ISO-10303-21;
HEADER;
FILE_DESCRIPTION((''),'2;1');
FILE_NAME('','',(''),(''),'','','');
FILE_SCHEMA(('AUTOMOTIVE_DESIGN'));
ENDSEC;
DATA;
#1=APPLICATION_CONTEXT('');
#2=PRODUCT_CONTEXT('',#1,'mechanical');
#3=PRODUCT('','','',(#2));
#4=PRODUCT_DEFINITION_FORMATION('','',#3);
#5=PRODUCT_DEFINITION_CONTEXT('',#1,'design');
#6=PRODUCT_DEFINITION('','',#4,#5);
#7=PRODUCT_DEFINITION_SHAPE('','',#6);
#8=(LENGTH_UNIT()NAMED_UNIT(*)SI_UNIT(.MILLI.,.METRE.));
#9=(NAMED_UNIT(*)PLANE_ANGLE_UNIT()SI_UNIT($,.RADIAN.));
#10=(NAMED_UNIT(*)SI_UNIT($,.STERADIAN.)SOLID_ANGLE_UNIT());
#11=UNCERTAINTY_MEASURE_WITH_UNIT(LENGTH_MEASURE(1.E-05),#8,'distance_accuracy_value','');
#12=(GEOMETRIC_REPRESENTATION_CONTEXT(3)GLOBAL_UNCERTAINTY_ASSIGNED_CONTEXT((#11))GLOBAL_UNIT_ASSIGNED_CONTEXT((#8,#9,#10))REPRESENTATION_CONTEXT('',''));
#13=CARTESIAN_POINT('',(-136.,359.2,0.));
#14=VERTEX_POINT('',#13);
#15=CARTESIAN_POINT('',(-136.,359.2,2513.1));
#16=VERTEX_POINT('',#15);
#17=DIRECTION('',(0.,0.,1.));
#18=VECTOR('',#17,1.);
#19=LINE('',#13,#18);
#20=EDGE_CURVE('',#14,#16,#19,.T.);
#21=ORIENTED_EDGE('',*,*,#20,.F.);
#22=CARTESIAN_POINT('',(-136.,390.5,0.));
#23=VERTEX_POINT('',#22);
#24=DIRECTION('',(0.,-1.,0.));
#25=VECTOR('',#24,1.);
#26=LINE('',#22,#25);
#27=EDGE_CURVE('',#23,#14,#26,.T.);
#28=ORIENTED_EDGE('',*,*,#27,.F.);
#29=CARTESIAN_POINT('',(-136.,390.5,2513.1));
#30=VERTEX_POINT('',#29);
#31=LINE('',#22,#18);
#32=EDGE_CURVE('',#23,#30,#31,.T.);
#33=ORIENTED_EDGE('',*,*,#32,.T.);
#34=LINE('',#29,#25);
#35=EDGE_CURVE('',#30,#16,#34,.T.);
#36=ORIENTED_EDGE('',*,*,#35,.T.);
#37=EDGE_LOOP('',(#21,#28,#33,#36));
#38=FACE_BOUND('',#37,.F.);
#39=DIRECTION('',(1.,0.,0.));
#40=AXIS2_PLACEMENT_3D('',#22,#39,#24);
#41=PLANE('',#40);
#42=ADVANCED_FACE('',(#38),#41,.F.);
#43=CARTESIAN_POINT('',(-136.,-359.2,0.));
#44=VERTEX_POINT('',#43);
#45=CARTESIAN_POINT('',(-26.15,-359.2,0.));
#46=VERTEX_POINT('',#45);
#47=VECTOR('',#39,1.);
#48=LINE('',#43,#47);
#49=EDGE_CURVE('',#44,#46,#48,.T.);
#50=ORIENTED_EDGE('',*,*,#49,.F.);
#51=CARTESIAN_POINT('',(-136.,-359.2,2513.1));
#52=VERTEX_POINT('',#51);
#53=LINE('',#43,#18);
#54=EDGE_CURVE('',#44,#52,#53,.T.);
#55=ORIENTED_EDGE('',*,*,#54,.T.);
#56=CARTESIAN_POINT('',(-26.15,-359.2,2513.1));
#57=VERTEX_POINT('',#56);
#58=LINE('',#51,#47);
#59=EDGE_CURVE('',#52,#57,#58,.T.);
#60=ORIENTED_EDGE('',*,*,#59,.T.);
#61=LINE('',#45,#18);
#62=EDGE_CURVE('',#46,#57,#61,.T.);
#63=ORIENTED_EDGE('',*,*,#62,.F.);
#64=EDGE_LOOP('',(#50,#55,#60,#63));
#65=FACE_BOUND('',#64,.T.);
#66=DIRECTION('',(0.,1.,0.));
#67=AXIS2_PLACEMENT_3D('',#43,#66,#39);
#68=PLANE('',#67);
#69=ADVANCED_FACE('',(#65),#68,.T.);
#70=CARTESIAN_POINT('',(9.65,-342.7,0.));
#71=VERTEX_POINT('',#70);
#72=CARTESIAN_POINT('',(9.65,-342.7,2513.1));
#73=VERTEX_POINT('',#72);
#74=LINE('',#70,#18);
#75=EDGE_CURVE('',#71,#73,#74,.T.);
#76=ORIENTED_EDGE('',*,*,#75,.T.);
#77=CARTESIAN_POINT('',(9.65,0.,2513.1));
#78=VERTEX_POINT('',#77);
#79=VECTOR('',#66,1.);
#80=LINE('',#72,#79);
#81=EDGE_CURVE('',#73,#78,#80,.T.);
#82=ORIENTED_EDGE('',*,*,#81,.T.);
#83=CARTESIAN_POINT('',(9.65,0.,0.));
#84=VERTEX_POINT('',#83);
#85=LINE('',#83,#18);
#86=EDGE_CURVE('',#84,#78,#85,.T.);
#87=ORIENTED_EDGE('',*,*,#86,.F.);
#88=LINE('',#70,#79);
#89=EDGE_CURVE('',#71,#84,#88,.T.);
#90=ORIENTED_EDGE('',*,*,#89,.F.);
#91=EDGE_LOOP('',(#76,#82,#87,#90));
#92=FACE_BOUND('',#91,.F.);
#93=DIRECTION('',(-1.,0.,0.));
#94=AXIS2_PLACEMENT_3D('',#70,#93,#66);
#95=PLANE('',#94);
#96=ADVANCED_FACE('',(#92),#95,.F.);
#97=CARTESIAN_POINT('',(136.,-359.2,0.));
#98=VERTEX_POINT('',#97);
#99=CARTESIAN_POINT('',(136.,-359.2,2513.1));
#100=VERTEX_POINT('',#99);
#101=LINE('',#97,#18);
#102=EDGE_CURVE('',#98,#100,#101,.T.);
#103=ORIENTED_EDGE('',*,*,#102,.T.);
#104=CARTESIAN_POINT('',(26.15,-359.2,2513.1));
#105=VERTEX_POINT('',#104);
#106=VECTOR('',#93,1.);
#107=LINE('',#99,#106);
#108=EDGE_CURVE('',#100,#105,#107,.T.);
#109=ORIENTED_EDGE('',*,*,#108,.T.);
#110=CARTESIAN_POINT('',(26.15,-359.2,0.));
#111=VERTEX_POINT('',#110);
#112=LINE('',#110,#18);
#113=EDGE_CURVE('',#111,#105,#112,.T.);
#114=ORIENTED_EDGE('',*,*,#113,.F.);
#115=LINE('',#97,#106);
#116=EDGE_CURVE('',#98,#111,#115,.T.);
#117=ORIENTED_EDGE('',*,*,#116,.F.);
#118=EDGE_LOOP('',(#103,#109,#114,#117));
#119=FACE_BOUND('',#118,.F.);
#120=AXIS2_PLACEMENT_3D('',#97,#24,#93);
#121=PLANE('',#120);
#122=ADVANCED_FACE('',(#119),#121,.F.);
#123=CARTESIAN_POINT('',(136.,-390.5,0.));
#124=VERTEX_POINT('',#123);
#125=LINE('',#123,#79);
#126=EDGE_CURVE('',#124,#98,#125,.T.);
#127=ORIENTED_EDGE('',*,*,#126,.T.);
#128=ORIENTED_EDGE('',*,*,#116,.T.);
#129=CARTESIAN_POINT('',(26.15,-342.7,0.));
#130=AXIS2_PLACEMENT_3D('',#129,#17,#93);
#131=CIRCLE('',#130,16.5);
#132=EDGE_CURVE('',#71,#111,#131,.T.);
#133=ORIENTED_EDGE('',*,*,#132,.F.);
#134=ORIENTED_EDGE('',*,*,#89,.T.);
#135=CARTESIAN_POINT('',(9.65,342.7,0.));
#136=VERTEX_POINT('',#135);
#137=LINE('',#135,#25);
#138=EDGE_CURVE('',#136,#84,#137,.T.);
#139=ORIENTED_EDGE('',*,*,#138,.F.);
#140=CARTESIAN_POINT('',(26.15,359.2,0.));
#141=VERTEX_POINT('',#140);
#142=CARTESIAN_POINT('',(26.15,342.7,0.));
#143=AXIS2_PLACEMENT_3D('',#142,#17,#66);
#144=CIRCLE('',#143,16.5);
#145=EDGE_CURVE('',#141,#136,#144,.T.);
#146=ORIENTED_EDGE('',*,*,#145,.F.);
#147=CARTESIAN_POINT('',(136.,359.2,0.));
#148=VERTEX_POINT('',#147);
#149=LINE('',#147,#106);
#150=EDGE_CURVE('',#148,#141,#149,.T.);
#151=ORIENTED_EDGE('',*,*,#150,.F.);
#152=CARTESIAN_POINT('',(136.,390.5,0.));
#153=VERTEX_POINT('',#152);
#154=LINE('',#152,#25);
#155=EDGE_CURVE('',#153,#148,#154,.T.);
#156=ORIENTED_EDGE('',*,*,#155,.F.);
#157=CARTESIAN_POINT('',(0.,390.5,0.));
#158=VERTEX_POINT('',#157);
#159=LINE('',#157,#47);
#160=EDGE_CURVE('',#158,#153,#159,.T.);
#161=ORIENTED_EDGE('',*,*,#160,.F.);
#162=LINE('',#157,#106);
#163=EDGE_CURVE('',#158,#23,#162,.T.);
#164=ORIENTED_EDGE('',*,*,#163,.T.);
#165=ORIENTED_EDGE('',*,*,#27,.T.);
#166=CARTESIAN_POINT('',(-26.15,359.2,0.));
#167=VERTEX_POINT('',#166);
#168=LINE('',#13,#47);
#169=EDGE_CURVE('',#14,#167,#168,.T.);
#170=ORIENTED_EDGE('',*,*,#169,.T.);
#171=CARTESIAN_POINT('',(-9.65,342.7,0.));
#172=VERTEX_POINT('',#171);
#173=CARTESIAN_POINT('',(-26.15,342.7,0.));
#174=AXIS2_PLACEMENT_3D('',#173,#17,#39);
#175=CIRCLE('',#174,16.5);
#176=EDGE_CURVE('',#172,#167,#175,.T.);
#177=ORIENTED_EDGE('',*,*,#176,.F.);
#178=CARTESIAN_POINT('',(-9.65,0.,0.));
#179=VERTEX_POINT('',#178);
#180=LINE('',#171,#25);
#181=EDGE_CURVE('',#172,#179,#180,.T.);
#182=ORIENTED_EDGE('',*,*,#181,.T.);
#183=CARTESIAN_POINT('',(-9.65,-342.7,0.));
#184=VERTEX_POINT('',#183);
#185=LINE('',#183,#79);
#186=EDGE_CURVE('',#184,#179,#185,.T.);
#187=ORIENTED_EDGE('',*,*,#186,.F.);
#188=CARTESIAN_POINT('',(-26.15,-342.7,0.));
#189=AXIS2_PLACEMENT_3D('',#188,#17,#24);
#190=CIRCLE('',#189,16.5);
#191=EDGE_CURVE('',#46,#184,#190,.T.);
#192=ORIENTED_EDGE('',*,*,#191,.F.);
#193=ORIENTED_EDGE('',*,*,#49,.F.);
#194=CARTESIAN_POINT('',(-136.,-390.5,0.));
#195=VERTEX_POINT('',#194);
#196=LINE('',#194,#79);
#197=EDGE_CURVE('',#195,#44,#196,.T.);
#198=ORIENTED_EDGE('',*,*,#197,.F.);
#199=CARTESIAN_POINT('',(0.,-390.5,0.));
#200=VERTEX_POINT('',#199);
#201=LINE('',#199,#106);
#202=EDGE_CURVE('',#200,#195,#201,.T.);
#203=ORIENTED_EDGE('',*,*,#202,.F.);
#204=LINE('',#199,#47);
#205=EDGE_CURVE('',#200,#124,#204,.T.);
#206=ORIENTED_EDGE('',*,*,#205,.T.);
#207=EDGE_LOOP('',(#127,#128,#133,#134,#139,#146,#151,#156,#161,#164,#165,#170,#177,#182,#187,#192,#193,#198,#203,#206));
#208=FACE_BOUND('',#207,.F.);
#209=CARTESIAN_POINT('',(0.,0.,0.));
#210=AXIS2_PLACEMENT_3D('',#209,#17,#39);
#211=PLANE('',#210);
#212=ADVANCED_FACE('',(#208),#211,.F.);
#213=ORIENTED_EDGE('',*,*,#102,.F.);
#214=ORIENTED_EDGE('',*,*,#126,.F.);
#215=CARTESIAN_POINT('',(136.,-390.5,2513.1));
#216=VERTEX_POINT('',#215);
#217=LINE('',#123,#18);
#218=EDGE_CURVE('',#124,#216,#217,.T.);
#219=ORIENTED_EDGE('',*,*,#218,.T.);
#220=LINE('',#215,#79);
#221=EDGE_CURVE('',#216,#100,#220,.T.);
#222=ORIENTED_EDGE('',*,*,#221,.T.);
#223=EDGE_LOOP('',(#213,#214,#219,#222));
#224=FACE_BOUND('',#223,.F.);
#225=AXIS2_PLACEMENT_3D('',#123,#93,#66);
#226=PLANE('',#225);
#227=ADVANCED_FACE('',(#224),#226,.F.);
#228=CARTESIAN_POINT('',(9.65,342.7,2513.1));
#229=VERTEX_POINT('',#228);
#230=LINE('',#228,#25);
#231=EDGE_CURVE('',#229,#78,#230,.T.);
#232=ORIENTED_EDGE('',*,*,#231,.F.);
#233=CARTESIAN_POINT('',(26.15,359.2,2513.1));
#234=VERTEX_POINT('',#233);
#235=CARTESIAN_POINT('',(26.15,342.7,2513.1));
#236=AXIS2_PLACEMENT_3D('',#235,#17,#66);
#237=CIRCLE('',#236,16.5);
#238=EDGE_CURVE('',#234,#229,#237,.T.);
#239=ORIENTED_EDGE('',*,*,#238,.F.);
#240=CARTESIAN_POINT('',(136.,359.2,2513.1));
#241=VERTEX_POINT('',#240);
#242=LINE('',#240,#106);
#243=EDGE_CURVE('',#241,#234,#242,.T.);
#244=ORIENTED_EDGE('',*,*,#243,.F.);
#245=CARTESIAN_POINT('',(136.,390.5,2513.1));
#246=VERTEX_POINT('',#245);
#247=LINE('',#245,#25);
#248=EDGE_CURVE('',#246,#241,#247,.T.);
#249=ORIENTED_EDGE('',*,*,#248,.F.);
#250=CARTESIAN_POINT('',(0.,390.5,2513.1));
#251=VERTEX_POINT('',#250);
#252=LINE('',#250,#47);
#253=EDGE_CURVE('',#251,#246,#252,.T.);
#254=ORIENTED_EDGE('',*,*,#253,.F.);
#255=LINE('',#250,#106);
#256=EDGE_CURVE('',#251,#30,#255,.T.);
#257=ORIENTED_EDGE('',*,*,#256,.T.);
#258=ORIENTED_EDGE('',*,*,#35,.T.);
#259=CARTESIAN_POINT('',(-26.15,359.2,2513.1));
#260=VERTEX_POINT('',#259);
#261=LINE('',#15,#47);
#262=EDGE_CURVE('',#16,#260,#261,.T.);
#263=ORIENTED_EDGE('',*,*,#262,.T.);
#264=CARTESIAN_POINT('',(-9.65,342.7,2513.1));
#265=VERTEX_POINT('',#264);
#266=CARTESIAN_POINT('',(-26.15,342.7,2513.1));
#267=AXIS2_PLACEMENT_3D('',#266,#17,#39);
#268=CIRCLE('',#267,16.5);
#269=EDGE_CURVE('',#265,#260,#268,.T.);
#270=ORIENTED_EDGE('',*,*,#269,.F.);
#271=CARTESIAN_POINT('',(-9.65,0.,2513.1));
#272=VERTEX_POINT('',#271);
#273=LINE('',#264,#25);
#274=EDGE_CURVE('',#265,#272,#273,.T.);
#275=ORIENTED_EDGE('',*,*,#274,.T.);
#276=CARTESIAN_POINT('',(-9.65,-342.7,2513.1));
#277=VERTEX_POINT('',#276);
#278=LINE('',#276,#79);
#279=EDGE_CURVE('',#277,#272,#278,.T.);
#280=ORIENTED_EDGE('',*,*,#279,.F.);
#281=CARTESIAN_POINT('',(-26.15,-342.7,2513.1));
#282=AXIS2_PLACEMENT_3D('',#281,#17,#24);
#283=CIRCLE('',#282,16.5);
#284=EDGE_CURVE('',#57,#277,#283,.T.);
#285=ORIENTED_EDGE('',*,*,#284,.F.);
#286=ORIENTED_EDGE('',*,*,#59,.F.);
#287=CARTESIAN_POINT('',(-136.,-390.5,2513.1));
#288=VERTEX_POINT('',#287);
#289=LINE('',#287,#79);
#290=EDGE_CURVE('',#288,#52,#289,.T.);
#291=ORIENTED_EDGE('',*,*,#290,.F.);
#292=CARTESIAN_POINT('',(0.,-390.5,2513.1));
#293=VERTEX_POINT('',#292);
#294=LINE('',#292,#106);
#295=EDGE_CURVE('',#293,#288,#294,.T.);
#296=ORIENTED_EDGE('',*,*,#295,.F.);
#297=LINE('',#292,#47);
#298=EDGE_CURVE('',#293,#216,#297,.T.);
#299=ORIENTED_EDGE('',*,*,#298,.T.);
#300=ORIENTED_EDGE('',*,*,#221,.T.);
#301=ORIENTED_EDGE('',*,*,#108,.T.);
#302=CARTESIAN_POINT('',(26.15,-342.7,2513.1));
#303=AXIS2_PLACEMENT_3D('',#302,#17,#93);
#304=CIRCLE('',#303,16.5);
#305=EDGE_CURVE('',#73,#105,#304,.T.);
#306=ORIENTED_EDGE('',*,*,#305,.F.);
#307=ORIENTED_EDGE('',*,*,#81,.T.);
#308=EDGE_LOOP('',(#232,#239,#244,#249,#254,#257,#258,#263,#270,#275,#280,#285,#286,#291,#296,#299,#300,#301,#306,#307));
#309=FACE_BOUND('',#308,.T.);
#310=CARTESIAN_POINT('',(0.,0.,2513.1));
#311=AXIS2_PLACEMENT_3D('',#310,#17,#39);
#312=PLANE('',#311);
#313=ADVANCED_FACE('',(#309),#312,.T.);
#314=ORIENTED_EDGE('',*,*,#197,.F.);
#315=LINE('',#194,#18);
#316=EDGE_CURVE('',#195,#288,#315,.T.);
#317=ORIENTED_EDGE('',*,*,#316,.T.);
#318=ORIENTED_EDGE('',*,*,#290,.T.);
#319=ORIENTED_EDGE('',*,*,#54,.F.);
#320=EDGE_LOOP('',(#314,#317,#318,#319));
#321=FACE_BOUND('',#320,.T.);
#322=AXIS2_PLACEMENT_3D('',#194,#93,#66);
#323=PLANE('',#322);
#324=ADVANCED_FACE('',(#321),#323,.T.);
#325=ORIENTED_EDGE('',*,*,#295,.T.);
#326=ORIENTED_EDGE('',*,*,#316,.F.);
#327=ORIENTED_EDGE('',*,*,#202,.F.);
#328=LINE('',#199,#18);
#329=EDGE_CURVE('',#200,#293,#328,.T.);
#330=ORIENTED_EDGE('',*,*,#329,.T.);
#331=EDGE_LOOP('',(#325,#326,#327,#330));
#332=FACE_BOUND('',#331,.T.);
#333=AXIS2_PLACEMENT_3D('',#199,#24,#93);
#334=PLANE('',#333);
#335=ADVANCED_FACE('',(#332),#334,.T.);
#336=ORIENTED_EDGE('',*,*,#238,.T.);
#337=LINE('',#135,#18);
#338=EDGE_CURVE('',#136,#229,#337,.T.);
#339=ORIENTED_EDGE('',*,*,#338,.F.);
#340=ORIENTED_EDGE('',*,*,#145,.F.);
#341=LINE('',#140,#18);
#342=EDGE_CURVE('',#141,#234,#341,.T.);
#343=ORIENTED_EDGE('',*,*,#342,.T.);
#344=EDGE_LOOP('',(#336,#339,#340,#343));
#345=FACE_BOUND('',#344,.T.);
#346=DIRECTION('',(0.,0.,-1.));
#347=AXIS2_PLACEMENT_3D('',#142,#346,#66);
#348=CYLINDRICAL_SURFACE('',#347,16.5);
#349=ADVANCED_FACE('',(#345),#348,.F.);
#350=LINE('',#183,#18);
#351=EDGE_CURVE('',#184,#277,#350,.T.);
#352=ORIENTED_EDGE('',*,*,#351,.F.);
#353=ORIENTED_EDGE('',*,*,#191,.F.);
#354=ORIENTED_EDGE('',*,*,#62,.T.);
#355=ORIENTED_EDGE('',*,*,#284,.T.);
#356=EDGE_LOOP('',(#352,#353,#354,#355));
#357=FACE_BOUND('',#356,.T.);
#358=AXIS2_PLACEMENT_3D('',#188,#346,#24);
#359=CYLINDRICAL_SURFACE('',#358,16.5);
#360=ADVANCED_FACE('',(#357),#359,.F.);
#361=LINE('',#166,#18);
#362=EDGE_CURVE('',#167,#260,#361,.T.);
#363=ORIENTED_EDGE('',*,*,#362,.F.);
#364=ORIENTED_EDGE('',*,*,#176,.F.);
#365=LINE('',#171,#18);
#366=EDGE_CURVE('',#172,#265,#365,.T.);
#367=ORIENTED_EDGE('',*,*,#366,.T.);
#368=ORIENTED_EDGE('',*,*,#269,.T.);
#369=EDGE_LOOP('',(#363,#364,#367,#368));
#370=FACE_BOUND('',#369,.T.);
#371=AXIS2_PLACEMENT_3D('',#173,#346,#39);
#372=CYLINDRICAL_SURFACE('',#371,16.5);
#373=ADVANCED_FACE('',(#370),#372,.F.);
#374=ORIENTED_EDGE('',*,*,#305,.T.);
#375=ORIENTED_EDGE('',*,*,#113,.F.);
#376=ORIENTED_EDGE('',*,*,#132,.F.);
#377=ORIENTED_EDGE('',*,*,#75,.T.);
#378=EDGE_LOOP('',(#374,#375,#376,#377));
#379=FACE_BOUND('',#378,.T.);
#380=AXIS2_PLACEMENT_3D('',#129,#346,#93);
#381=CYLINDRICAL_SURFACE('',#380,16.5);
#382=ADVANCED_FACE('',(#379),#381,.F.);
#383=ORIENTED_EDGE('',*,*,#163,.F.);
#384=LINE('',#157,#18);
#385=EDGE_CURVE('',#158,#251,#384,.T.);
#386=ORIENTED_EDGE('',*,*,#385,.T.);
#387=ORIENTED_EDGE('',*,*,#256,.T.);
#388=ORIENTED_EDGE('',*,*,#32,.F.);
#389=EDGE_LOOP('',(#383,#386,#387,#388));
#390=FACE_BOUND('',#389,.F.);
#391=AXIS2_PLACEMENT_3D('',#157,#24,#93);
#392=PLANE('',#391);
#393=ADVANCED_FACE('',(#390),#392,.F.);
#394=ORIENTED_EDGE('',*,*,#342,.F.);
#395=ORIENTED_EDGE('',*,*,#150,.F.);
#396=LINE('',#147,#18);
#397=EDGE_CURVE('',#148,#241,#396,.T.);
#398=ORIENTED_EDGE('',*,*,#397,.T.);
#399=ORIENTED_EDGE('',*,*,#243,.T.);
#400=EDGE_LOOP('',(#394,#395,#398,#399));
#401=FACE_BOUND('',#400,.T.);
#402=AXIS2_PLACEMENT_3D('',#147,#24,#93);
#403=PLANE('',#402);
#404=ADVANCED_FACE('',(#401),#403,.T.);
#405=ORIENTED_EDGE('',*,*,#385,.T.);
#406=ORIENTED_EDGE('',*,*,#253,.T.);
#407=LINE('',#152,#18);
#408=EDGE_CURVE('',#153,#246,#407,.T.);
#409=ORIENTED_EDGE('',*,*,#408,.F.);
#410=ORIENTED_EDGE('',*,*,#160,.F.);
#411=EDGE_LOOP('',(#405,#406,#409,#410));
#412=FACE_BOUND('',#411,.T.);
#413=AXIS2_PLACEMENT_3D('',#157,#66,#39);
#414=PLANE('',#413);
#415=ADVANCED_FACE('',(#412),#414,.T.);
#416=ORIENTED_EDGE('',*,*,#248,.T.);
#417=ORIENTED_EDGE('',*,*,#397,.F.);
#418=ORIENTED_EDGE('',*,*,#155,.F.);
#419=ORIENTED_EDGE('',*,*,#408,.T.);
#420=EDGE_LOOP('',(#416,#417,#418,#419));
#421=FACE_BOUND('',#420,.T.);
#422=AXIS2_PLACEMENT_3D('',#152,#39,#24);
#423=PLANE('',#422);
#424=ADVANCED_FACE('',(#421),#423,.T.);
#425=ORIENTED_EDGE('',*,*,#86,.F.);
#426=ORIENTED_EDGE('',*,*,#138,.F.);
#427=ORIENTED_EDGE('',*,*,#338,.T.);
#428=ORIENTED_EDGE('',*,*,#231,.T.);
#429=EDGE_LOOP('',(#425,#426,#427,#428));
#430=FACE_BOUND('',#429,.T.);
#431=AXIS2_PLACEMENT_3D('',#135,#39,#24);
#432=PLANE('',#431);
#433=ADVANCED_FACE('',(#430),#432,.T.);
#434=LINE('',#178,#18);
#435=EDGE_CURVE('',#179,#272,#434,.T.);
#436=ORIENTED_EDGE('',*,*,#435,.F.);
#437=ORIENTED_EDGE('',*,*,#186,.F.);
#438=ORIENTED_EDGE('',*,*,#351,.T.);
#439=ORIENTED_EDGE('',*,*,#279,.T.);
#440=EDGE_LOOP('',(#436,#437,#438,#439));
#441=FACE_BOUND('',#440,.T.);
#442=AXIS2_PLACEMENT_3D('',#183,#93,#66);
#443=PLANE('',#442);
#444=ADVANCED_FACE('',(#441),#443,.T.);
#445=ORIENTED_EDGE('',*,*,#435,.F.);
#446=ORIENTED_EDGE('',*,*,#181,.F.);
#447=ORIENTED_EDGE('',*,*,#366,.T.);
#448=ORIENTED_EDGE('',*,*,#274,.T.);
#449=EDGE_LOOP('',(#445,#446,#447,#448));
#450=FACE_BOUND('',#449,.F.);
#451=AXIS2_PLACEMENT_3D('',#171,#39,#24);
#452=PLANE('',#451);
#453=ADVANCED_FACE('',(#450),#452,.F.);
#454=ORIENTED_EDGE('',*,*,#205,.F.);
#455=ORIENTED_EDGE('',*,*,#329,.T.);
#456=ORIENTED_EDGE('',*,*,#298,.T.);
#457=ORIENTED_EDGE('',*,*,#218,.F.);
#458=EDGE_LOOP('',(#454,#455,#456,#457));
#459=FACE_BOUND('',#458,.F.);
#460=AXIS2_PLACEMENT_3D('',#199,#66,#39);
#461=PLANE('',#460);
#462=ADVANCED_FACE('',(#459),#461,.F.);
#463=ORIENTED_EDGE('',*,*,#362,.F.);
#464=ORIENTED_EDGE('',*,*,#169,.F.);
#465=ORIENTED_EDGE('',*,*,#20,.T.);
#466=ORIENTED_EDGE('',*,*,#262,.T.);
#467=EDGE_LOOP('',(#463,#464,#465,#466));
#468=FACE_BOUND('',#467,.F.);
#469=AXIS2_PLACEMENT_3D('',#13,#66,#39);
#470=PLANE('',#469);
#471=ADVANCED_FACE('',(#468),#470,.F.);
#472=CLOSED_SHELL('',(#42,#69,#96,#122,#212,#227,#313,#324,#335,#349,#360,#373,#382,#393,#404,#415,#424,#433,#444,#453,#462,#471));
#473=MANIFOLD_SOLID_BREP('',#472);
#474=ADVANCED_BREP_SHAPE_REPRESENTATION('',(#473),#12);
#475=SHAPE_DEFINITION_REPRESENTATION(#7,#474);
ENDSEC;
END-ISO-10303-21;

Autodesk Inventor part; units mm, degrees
ref_plane "YZ Plane" through (0, 0, 0) normal (1, 0, 0) x (0, 1, 0)
ref_plane "Start plane" through (0, 0, 0) normal (0, 0, 1) x (1, 0, 0)
ref_plane "End plane" through (0, 0, 2513.1) normal (0, 0, 1) x (1, 0, 0)
sketch "Sketch" plane through (0, 0, 0) normal (0, 0, 1) x (1, 0, 0)
  line L0 (-136, -390.5) -> (-136, -359.2)
  line L1 (-136, -359.2) -> (-26.15, -359.2)
  line L2 (-9.65, -342.7) -> (-9.65, 0)
  line L3 (-9.65, 0) -> (0, 0) construction
  line L4 (0, 0) -> (0, -390.5) construction
  line L5 (0, -390.5) -> (-136, -390.5)
  line L6 (-60, 0) -> (80, 0) construction
  line L7 (0, -60) -> (0, 80) construction
  line L8 (136, -390.5) -> (136, -359.2)
  line L9 (136, -359.2) -> (26.15, -359.2)
  line L10 (9.65, -342.7) -> (9.65, 0)
  line L11 (9.65, 0) -> (0, 0) construction
  line L12 (0, -390.5) -> (136, -390.5)
  line L13 (-136, 390.5) -> (-136, 359.2)
  line L14 (-136, 359.2) -> (-26.15, 359.2)
  line L15 (-9.65, 342.7) -> (-9.65, 0)
  line L16 (0, 390.5) -> (-136, 390.5)
  line L17 (136, 390.5) -> (136, 359.2)
  line L18 (136, 359.2) -> (26.15, 359.2)
  line L19 (0, 390.5) -> (136, 390.5)
  line L20 (9.65, 342.7) -> (9.65, 0)
  arc A0 (-9.65, 342.7) -> (-26.15, 359.2) centre (-26.15, 342.7) ccw
  arc A1 (26.15, 359.2) -> (9.65, 342.7) centre (26.15, 342.7) ccw
  arc A2 (9.65, -342.7) -> (26.15, -359.2) centre (26.15, -342.7) ccw
  arc A3 (-26.15, -359.2) -> (-9.65, -342.7) centre (-26.15, -342.7) ccw
  line L21 (0, 108) -> (0, -88) construction
  line L22 (-88, 0) -> (108, 0) construction
  point P0 (-9.65, -359.2)
  point P1 (9.65, -359.2)
  point P2 (-9.65, 359.2)
  point P3 (9.65, 359.2)
  dimension "d1" = 390.5
  dimension "d2" = 31.3
  dimension "d3" = 136
  dimension "d4" = 9.65
  dimension "d10" = 16.5
extrude "Body" add sketch "Sketch" along normal up to surface (2513.1 mm away) from surface at 0
sketch "Sketch4" plane through (0, 0, 0) normal (0, 0, 1) x (1, 0, 0)
  line L0 (0, 0) -> (10, 0)
ref_plane "Work Plane3" through (0, 0, 0) normal (0, -1, 0) x (1, 0, 0)
sketch "Sketch5" plane through (0, 0, 0) normal (0, -1, 0) x (1, 0, 0)
  line L0 (-2, 0) -> (12, 0) projected
  line L1 (-2, 2513.1) -> (12, 2513.1) projected
  dimension "d14" = 2513.1
equation "\"d1\" = 0.5 * G_H"
equation "\"d2\" = G_T1"
equation "\"d3\" = 0.5 * G_W"
equation "\"d4\" = 0.5 * G_T"
equation "\"d10\" = G_IR"
equation "\"d5\" = G_L"
equation "\"G_W\" = 272"
equation "\"G_H\" = 781"
equation "\"G_T\" = 19.3"
equation "\"G_T1\" = 31.3"
equation "\"G_IR\" = 16.5"
equation "\"G_L\" = d14"
equation "\"G_OFFSET_START\" = 0"
equation "\"G_OFFSET_END\" = 0"
equation "\"d12\" = G_OFFSET_END + B_L"
equation "\"B_L\" = 2513.1"
properties part number "AS 3679-1990 - 760 UB - 244 - 2513.1" material "Steel, Mild"
